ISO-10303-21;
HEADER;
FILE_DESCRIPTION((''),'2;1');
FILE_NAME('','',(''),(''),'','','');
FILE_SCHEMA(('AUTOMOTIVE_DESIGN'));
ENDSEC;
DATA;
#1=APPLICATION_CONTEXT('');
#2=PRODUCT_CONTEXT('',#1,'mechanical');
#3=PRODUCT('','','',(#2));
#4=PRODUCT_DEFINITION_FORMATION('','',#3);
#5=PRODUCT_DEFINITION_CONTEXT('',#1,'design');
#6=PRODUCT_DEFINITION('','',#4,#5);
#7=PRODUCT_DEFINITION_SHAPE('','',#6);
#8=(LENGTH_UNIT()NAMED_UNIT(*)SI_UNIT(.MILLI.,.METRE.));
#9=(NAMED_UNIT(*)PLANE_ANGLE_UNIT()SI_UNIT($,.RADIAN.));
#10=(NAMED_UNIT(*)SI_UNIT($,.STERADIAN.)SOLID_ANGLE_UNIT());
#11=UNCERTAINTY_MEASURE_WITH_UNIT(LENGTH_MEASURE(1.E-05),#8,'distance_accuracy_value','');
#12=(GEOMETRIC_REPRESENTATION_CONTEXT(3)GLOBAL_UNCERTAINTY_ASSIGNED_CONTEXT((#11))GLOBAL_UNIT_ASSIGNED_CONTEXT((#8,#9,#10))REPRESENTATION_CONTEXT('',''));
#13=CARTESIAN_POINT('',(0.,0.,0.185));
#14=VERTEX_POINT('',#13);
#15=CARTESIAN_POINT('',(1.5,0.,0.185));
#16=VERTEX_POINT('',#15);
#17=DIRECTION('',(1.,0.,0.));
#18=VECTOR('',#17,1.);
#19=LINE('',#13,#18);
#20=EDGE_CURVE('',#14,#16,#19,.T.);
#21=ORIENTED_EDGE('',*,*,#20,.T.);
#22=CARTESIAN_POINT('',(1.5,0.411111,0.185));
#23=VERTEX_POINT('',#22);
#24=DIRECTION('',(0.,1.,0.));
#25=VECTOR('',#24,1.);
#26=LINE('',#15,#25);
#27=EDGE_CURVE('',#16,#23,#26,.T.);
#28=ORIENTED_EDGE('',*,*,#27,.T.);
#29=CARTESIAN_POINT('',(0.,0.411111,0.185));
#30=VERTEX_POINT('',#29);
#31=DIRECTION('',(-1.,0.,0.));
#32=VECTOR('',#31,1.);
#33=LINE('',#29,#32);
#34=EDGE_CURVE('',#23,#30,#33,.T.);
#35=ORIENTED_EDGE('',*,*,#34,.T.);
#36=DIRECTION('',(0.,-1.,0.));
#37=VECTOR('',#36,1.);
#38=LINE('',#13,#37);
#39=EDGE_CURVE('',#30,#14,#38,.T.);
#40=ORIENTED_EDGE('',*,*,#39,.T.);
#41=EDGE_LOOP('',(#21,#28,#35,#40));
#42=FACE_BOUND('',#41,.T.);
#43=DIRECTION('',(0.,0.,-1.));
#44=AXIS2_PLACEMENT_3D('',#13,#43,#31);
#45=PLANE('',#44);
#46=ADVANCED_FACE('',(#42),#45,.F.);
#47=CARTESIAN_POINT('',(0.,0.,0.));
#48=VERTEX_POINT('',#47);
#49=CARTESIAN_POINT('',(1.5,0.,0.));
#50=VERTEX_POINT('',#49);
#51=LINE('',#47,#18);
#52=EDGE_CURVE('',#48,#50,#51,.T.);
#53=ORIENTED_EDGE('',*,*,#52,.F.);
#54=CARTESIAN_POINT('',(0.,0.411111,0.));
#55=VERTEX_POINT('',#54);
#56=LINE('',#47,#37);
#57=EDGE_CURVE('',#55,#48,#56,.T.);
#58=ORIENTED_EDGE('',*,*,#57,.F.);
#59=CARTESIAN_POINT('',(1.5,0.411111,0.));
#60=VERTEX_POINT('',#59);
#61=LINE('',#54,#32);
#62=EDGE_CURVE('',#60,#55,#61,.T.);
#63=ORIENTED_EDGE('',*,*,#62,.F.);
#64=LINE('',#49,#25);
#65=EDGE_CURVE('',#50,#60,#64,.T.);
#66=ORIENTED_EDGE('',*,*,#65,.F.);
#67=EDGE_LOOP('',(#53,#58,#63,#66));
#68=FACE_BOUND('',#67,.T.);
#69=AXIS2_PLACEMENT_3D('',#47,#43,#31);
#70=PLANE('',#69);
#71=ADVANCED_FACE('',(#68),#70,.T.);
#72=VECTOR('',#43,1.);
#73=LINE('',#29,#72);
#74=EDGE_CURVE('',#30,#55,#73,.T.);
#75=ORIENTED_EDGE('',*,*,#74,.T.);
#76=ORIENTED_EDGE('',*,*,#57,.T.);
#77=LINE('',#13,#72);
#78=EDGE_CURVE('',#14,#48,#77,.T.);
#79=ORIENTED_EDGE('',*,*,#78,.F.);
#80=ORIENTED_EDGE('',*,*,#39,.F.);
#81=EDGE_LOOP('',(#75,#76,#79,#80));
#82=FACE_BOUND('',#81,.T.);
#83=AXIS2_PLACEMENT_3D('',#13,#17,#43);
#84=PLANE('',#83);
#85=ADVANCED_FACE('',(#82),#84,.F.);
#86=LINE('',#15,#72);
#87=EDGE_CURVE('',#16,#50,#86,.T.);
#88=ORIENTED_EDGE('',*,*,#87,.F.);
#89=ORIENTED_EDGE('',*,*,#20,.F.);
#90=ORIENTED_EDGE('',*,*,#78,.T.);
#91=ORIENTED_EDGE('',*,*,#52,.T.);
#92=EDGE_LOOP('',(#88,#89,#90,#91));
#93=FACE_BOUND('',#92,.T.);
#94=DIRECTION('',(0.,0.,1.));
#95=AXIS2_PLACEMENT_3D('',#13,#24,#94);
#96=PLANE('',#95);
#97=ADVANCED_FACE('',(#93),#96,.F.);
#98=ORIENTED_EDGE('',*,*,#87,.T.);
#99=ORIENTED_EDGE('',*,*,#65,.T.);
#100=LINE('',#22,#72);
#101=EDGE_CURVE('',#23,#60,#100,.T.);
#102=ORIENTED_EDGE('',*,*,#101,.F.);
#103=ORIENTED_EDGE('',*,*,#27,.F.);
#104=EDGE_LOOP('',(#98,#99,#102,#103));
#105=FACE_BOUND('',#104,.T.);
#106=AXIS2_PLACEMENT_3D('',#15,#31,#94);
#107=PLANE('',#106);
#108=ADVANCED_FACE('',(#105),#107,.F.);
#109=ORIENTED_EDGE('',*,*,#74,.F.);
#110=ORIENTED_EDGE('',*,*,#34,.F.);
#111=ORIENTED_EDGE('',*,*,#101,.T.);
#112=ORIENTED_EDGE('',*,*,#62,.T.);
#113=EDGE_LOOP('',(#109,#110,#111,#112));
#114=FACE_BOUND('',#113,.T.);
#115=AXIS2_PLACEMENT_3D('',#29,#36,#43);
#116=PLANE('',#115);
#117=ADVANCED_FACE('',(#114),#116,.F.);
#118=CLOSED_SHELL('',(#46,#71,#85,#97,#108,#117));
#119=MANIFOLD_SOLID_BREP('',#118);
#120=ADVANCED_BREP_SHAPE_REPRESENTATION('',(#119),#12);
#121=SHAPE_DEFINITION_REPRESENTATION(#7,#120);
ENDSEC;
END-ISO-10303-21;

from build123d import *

# Parameters (mm, degrees)
SKETCH1_W           = 1.5
SKETCH1_H           = 0.411111111
BOSS_EXTRUDE1_DEPTH = 0.185


with BuildPart() as part:
    # Sketch1 → Boss-Extrude1 (new body)
    with BuildSketch(Plane.XY):
        with Locations((0.75, 0.205555556)):
            Rectangle(SKETCH1_W, SKETCH1_H)
    extrude(amount=BOSS_EXTRUDE1_DEPTH)


solid = part.part
